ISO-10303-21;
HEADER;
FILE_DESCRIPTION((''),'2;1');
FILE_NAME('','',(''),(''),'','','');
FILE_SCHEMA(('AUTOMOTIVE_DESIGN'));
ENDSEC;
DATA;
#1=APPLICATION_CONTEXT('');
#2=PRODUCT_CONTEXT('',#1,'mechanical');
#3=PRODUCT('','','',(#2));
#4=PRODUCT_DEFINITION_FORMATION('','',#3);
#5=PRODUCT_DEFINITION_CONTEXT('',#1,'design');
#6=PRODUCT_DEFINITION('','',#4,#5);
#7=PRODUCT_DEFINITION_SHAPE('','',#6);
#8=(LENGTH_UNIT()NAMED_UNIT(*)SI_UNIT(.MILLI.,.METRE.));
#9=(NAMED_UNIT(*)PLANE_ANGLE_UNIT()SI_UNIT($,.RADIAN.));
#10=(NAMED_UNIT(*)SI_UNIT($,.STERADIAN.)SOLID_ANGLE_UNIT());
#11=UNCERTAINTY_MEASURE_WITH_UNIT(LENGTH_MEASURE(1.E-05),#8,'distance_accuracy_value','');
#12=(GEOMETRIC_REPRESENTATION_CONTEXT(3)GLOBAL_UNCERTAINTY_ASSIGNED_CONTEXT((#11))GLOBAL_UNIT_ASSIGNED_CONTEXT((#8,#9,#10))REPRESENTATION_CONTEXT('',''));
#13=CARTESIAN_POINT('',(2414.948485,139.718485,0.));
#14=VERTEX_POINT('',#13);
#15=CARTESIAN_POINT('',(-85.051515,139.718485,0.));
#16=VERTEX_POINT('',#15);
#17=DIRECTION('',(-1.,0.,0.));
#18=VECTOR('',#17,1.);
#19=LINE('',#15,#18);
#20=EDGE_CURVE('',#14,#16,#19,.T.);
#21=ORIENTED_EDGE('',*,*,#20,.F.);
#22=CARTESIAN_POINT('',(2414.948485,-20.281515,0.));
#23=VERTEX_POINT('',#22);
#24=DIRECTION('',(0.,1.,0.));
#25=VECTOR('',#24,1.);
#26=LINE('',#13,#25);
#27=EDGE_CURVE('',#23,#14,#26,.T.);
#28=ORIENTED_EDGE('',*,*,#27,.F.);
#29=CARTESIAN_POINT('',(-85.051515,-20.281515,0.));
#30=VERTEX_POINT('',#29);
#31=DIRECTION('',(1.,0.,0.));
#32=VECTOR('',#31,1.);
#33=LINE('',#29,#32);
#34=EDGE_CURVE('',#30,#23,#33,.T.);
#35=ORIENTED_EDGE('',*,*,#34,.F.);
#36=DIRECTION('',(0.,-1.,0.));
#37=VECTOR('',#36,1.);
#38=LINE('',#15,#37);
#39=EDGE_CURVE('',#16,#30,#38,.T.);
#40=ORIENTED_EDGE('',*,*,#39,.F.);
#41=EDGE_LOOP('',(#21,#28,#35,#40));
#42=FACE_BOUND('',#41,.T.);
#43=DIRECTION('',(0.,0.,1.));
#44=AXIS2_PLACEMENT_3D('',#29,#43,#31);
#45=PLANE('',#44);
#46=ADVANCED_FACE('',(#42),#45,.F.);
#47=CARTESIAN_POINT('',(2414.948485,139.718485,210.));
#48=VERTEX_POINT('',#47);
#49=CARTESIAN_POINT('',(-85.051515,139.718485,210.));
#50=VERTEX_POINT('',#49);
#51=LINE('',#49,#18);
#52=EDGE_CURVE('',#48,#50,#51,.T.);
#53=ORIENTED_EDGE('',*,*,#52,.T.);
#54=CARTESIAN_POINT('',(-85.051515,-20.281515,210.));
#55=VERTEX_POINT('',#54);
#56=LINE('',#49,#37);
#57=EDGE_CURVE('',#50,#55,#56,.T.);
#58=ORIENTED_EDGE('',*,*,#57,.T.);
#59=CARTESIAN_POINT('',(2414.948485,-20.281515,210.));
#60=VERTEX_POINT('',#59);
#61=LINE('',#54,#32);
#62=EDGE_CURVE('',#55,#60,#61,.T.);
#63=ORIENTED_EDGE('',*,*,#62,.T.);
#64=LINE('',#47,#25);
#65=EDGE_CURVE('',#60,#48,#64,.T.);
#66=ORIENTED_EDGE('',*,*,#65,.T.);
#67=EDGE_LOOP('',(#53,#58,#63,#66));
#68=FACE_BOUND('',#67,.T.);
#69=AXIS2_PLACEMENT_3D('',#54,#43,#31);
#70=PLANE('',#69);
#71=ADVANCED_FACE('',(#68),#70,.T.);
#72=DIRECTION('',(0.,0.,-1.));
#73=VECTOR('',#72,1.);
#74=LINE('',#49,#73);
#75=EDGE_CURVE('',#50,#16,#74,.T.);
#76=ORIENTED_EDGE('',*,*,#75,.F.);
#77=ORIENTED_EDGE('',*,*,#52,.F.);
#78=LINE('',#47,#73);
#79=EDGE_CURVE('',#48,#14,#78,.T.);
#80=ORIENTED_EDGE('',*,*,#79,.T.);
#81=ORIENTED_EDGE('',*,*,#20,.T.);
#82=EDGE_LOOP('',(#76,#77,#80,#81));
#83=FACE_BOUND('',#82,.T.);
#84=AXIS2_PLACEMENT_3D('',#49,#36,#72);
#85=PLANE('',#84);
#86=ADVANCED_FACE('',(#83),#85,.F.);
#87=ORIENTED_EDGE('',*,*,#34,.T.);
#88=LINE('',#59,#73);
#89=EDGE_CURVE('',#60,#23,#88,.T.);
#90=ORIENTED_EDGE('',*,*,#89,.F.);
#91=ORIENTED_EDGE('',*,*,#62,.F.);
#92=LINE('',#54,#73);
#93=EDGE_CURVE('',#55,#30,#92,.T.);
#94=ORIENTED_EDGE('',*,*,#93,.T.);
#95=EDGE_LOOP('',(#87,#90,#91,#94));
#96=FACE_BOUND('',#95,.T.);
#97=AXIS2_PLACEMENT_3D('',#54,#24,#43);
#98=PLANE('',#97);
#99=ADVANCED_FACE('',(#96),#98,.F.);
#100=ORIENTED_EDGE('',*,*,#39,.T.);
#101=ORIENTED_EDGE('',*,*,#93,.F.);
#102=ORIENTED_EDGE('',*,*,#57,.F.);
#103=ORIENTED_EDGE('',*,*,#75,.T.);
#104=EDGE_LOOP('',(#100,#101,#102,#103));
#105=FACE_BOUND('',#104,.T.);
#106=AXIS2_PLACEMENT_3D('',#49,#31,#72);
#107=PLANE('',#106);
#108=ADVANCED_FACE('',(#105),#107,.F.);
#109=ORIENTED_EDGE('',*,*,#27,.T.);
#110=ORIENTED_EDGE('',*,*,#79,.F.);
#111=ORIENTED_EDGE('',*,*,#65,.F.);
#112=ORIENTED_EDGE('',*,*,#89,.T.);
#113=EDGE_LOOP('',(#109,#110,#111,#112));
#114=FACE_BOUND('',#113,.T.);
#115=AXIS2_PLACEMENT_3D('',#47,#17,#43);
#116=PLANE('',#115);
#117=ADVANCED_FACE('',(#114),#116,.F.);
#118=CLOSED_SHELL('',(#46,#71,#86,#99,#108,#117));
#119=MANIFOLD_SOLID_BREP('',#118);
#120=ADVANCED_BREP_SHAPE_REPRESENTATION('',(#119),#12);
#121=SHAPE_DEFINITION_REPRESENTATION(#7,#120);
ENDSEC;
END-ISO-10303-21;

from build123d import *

# Parameters (mm, degrees)
SKETCH_1_W        = 2500
SKETCH_1_H        = 160
EXTRUDE_264_DEPTH = 210


with BuildPart() as part:
    # 草图1 → Extrude 264 (new body)
    with BuildSketch(Plane.XY):
        with Locations((1164.948484848, 59.718484848)):
            Rectangle(SKETCH_1_W, SKETCH_1_H)
    extrude(amount=EXTRUDE_264_DEPTH)


solid = part.part
